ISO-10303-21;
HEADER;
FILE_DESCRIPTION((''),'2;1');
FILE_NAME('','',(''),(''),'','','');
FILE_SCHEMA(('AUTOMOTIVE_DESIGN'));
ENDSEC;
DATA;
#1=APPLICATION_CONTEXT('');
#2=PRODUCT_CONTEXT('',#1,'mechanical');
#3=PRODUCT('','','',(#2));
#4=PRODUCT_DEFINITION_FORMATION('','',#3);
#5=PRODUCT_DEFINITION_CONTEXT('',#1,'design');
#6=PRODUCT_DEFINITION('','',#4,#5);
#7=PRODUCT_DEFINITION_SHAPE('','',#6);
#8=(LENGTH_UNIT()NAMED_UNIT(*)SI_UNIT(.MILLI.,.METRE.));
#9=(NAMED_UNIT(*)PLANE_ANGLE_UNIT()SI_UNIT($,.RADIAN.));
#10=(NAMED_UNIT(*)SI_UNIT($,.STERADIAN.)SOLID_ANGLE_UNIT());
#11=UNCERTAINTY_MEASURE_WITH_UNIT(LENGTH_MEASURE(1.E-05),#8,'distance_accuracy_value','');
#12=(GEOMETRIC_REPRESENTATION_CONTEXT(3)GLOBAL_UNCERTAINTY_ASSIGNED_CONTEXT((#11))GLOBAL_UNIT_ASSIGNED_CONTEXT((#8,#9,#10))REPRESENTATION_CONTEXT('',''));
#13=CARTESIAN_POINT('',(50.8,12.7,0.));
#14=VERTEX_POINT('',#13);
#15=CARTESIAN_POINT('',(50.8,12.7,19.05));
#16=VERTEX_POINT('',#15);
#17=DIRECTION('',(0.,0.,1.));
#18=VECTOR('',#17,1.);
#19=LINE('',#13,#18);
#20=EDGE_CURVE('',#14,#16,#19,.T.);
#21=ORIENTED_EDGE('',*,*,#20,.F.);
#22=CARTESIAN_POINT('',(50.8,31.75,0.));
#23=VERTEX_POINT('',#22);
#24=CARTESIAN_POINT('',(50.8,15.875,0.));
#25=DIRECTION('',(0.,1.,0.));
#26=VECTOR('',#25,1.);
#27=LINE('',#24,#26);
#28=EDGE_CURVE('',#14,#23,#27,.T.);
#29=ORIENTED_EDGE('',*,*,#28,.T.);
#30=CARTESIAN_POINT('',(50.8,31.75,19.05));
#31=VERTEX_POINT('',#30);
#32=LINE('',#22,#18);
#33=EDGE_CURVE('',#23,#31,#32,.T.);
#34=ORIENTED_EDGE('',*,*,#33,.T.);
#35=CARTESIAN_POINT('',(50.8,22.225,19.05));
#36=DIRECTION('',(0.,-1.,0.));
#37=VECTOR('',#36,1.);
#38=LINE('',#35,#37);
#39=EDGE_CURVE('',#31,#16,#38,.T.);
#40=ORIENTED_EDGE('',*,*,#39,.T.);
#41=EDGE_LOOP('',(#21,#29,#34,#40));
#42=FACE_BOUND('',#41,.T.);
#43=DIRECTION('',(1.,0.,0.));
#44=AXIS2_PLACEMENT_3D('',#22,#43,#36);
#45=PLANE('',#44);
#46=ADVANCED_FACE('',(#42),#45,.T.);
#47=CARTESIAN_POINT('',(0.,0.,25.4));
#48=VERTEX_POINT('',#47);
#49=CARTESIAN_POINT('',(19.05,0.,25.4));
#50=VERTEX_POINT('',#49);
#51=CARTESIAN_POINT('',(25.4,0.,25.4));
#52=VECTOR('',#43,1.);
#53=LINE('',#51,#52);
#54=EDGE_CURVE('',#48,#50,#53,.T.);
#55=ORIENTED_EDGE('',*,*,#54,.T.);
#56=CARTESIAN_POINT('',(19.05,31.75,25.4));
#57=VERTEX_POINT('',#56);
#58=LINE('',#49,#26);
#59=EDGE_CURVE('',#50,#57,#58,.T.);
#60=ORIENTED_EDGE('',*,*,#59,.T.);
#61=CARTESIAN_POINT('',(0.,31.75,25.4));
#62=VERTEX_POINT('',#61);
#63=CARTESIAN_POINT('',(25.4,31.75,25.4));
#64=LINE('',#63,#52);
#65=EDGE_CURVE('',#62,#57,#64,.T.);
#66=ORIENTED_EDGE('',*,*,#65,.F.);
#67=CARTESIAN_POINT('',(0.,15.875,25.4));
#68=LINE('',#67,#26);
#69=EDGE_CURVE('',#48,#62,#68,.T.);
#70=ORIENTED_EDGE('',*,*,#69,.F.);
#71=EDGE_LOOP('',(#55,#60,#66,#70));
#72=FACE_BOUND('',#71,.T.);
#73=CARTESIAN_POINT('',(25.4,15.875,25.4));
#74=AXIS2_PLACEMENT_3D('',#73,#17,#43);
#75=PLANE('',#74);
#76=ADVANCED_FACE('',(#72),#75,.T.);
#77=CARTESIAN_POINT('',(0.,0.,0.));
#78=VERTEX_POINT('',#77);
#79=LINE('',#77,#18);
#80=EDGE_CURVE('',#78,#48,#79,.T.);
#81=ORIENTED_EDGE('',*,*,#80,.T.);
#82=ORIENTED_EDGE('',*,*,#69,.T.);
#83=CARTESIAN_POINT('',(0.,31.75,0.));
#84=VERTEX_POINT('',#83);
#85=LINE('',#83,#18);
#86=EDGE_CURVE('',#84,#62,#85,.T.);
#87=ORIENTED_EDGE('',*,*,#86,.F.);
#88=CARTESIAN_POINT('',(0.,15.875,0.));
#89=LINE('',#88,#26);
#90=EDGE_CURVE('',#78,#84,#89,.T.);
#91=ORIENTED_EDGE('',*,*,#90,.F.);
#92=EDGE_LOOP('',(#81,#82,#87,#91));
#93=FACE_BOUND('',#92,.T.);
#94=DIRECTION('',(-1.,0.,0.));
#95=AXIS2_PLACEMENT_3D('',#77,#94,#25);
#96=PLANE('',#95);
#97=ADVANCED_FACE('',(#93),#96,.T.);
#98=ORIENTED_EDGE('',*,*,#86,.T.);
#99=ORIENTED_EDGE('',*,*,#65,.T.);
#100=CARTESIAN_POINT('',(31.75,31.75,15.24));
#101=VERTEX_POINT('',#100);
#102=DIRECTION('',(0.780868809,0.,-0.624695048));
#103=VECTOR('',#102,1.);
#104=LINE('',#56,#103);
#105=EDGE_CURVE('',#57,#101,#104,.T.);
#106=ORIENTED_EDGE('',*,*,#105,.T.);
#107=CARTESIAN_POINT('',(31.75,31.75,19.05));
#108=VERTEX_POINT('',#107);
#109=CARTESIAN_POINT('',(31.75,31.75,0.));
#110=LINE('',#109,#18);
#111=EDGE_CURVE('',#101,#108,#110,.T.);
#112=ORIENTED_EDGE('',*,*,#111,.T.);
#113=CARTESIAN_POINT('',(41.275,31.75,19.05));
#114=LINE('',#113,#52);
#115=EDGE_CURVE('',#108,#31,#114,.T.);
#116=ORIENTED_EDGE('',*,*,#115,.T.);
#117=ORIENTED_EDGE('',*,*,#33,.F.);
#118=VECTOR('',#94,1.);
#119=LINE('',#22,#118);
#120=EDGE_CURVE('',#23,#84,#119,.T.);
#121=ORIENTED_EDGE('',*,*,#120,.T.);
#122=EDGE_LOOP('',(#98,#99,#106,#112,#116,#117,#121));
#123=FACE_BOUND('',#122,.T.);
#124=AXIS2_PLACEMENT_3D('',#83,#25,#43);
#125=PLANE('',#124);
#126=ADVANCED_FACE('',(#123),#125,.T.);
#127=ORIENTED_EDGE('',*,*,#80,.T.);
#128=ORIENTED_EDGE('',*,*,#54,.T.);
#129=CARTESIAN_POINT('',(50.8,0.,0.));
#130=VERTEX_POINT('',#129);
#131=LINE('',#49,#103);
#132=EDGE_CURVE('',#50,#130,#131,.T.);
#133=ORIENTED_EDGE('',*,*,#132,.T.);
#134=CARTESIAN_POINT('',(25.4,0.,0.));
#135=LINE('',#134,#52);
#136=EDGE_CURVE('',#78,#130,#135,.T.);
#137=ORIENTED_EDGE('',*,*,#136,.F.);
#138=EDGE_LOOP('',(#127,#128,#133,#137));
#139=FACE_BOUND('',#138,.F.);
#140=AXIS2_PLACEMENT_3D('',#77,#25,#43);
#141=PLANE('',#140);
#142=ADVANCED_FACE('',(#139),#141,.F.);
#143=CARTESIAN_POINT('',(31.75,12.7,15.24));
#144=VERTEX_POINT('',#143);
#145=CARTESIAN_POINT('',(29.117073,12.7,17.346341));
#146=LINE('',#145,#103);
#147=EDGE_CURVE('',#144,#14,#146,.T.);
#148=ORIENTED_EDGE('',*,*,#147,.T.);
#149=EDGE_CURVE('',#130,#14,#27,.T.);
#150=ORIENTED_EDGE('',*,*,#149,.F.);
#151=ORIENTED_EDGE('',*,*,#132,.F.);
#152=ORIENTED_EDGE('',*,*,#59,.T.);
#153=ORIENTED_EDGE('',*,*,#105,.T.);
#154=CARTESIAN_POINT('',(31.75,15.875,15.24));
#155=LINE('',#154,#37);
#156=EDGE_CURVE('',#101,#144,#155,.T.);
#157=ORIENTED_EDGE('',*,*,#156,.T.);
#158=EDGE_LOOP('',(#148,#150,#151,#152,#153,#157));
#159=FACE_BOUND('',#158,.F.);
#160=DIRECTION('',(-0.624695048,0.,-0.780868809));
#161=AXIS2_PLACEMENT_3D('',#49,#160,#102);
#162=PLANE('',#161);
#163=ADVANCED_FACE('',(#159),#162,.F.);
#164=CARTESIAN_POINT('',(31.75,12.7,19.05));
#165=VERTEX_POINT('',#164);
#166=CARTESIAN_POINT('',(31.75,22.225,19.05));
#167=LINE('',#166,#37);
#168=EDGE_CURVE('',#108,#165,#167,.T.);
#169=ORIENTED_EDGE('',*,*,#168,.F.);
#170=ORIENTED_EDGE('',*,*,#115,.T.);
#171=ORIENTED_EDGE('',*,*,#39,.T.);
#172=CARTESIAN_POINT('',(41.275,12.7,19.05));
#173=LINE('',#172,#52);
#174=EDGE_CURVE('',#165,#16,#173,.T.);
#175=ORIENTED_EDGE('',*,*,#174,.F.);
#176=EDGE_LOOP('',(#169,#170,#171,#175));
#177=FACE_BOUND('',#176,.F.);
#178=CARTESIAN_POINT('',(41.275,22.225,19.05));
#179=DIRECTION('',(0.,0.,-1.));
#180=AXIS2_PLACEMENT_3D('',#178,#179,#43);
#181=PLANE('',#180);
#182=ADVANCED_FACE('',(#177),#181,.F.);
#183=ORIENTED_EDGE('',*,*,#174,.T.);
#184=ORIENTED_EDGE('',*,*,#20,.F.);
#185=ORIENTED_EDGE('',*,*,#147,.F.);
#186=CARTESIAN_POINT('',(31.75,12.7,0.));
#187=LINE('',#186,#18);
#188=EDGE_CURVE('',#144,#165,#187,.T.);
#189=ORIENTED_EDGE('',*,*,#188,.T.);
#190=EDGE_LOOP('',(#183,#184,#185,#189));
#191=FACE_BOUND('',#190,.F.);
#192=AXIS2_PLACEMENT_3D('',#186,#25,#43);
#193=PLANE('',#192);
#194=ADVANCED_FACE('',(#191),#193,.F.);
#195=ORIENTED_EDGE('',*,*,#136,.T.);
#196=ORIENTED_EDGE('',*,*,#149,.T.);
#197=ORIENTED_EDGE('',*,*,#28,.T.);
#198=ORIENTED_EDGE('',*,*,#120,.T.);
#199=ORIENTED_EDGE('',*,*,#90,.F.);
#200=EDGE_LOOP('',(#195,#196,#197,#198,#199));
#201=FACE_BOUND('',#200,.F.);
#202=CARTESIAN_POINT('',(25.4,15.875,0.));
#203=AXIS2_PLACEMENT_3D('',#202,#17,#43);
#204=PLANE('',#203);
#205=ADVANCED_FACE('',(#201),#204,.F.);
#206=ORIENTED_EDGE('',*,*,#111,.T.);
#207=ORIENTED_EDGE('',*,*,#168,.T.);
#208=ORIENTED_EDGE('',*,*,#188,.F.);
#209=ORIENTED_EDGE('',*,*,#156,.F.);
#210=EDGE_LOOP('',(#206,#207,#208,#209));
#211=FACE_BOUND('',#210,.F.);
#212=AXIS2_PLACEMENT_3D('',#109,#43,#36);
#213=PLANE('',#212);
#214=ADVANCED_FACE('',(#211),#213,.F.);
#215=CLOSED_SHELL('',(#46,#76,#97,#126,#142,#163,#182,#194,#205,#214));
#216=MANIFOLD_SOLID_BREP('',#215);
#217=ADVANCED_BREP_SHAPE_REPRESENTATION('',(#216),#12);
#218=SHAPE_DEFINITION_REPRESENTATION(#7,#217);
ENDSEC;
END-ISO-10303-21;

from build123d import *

# Parameters (mm, degrees)
F0_W     = 50.8
F0_H     = 31.75
F1_DEPTH = 25.4
F3_DEPTH = 31.75
F4_W     = 19.05
F4_H     = 19.05
F5_DEPTH = 19.05


with BuildPart() as f1:
    # F0 (on Top) → F1 (new body)
    with BuildSketch(Plane.XY):
        with Locations((25.4, 15.875)):
            Rectangle(F0_W, F0_H)
    extrude(amount=F1_DEPTH)

    # F2 (on face) → F3 (cut)
    with BuildSketch(Plane.XZ):
        Polygon((19.05, 25.4), (50.8, 0), (50.8, 25.4), align=None)
    extrude(amount=-F3_DEPTH, mode=Mode.SUBTRACT)

    # F4 (on face) → F5 (join)
    with BuildSketch(Plane(origin=(0, 0, 0), x_dir=(1, 0, 0), z_dir=(0, 0, -1))):
        with Locations((41.275, -22.225)):
            Rectangle(F4_W, F4_H)
    extrude(amount=-F5_DEPTH)


solid = f1.part
